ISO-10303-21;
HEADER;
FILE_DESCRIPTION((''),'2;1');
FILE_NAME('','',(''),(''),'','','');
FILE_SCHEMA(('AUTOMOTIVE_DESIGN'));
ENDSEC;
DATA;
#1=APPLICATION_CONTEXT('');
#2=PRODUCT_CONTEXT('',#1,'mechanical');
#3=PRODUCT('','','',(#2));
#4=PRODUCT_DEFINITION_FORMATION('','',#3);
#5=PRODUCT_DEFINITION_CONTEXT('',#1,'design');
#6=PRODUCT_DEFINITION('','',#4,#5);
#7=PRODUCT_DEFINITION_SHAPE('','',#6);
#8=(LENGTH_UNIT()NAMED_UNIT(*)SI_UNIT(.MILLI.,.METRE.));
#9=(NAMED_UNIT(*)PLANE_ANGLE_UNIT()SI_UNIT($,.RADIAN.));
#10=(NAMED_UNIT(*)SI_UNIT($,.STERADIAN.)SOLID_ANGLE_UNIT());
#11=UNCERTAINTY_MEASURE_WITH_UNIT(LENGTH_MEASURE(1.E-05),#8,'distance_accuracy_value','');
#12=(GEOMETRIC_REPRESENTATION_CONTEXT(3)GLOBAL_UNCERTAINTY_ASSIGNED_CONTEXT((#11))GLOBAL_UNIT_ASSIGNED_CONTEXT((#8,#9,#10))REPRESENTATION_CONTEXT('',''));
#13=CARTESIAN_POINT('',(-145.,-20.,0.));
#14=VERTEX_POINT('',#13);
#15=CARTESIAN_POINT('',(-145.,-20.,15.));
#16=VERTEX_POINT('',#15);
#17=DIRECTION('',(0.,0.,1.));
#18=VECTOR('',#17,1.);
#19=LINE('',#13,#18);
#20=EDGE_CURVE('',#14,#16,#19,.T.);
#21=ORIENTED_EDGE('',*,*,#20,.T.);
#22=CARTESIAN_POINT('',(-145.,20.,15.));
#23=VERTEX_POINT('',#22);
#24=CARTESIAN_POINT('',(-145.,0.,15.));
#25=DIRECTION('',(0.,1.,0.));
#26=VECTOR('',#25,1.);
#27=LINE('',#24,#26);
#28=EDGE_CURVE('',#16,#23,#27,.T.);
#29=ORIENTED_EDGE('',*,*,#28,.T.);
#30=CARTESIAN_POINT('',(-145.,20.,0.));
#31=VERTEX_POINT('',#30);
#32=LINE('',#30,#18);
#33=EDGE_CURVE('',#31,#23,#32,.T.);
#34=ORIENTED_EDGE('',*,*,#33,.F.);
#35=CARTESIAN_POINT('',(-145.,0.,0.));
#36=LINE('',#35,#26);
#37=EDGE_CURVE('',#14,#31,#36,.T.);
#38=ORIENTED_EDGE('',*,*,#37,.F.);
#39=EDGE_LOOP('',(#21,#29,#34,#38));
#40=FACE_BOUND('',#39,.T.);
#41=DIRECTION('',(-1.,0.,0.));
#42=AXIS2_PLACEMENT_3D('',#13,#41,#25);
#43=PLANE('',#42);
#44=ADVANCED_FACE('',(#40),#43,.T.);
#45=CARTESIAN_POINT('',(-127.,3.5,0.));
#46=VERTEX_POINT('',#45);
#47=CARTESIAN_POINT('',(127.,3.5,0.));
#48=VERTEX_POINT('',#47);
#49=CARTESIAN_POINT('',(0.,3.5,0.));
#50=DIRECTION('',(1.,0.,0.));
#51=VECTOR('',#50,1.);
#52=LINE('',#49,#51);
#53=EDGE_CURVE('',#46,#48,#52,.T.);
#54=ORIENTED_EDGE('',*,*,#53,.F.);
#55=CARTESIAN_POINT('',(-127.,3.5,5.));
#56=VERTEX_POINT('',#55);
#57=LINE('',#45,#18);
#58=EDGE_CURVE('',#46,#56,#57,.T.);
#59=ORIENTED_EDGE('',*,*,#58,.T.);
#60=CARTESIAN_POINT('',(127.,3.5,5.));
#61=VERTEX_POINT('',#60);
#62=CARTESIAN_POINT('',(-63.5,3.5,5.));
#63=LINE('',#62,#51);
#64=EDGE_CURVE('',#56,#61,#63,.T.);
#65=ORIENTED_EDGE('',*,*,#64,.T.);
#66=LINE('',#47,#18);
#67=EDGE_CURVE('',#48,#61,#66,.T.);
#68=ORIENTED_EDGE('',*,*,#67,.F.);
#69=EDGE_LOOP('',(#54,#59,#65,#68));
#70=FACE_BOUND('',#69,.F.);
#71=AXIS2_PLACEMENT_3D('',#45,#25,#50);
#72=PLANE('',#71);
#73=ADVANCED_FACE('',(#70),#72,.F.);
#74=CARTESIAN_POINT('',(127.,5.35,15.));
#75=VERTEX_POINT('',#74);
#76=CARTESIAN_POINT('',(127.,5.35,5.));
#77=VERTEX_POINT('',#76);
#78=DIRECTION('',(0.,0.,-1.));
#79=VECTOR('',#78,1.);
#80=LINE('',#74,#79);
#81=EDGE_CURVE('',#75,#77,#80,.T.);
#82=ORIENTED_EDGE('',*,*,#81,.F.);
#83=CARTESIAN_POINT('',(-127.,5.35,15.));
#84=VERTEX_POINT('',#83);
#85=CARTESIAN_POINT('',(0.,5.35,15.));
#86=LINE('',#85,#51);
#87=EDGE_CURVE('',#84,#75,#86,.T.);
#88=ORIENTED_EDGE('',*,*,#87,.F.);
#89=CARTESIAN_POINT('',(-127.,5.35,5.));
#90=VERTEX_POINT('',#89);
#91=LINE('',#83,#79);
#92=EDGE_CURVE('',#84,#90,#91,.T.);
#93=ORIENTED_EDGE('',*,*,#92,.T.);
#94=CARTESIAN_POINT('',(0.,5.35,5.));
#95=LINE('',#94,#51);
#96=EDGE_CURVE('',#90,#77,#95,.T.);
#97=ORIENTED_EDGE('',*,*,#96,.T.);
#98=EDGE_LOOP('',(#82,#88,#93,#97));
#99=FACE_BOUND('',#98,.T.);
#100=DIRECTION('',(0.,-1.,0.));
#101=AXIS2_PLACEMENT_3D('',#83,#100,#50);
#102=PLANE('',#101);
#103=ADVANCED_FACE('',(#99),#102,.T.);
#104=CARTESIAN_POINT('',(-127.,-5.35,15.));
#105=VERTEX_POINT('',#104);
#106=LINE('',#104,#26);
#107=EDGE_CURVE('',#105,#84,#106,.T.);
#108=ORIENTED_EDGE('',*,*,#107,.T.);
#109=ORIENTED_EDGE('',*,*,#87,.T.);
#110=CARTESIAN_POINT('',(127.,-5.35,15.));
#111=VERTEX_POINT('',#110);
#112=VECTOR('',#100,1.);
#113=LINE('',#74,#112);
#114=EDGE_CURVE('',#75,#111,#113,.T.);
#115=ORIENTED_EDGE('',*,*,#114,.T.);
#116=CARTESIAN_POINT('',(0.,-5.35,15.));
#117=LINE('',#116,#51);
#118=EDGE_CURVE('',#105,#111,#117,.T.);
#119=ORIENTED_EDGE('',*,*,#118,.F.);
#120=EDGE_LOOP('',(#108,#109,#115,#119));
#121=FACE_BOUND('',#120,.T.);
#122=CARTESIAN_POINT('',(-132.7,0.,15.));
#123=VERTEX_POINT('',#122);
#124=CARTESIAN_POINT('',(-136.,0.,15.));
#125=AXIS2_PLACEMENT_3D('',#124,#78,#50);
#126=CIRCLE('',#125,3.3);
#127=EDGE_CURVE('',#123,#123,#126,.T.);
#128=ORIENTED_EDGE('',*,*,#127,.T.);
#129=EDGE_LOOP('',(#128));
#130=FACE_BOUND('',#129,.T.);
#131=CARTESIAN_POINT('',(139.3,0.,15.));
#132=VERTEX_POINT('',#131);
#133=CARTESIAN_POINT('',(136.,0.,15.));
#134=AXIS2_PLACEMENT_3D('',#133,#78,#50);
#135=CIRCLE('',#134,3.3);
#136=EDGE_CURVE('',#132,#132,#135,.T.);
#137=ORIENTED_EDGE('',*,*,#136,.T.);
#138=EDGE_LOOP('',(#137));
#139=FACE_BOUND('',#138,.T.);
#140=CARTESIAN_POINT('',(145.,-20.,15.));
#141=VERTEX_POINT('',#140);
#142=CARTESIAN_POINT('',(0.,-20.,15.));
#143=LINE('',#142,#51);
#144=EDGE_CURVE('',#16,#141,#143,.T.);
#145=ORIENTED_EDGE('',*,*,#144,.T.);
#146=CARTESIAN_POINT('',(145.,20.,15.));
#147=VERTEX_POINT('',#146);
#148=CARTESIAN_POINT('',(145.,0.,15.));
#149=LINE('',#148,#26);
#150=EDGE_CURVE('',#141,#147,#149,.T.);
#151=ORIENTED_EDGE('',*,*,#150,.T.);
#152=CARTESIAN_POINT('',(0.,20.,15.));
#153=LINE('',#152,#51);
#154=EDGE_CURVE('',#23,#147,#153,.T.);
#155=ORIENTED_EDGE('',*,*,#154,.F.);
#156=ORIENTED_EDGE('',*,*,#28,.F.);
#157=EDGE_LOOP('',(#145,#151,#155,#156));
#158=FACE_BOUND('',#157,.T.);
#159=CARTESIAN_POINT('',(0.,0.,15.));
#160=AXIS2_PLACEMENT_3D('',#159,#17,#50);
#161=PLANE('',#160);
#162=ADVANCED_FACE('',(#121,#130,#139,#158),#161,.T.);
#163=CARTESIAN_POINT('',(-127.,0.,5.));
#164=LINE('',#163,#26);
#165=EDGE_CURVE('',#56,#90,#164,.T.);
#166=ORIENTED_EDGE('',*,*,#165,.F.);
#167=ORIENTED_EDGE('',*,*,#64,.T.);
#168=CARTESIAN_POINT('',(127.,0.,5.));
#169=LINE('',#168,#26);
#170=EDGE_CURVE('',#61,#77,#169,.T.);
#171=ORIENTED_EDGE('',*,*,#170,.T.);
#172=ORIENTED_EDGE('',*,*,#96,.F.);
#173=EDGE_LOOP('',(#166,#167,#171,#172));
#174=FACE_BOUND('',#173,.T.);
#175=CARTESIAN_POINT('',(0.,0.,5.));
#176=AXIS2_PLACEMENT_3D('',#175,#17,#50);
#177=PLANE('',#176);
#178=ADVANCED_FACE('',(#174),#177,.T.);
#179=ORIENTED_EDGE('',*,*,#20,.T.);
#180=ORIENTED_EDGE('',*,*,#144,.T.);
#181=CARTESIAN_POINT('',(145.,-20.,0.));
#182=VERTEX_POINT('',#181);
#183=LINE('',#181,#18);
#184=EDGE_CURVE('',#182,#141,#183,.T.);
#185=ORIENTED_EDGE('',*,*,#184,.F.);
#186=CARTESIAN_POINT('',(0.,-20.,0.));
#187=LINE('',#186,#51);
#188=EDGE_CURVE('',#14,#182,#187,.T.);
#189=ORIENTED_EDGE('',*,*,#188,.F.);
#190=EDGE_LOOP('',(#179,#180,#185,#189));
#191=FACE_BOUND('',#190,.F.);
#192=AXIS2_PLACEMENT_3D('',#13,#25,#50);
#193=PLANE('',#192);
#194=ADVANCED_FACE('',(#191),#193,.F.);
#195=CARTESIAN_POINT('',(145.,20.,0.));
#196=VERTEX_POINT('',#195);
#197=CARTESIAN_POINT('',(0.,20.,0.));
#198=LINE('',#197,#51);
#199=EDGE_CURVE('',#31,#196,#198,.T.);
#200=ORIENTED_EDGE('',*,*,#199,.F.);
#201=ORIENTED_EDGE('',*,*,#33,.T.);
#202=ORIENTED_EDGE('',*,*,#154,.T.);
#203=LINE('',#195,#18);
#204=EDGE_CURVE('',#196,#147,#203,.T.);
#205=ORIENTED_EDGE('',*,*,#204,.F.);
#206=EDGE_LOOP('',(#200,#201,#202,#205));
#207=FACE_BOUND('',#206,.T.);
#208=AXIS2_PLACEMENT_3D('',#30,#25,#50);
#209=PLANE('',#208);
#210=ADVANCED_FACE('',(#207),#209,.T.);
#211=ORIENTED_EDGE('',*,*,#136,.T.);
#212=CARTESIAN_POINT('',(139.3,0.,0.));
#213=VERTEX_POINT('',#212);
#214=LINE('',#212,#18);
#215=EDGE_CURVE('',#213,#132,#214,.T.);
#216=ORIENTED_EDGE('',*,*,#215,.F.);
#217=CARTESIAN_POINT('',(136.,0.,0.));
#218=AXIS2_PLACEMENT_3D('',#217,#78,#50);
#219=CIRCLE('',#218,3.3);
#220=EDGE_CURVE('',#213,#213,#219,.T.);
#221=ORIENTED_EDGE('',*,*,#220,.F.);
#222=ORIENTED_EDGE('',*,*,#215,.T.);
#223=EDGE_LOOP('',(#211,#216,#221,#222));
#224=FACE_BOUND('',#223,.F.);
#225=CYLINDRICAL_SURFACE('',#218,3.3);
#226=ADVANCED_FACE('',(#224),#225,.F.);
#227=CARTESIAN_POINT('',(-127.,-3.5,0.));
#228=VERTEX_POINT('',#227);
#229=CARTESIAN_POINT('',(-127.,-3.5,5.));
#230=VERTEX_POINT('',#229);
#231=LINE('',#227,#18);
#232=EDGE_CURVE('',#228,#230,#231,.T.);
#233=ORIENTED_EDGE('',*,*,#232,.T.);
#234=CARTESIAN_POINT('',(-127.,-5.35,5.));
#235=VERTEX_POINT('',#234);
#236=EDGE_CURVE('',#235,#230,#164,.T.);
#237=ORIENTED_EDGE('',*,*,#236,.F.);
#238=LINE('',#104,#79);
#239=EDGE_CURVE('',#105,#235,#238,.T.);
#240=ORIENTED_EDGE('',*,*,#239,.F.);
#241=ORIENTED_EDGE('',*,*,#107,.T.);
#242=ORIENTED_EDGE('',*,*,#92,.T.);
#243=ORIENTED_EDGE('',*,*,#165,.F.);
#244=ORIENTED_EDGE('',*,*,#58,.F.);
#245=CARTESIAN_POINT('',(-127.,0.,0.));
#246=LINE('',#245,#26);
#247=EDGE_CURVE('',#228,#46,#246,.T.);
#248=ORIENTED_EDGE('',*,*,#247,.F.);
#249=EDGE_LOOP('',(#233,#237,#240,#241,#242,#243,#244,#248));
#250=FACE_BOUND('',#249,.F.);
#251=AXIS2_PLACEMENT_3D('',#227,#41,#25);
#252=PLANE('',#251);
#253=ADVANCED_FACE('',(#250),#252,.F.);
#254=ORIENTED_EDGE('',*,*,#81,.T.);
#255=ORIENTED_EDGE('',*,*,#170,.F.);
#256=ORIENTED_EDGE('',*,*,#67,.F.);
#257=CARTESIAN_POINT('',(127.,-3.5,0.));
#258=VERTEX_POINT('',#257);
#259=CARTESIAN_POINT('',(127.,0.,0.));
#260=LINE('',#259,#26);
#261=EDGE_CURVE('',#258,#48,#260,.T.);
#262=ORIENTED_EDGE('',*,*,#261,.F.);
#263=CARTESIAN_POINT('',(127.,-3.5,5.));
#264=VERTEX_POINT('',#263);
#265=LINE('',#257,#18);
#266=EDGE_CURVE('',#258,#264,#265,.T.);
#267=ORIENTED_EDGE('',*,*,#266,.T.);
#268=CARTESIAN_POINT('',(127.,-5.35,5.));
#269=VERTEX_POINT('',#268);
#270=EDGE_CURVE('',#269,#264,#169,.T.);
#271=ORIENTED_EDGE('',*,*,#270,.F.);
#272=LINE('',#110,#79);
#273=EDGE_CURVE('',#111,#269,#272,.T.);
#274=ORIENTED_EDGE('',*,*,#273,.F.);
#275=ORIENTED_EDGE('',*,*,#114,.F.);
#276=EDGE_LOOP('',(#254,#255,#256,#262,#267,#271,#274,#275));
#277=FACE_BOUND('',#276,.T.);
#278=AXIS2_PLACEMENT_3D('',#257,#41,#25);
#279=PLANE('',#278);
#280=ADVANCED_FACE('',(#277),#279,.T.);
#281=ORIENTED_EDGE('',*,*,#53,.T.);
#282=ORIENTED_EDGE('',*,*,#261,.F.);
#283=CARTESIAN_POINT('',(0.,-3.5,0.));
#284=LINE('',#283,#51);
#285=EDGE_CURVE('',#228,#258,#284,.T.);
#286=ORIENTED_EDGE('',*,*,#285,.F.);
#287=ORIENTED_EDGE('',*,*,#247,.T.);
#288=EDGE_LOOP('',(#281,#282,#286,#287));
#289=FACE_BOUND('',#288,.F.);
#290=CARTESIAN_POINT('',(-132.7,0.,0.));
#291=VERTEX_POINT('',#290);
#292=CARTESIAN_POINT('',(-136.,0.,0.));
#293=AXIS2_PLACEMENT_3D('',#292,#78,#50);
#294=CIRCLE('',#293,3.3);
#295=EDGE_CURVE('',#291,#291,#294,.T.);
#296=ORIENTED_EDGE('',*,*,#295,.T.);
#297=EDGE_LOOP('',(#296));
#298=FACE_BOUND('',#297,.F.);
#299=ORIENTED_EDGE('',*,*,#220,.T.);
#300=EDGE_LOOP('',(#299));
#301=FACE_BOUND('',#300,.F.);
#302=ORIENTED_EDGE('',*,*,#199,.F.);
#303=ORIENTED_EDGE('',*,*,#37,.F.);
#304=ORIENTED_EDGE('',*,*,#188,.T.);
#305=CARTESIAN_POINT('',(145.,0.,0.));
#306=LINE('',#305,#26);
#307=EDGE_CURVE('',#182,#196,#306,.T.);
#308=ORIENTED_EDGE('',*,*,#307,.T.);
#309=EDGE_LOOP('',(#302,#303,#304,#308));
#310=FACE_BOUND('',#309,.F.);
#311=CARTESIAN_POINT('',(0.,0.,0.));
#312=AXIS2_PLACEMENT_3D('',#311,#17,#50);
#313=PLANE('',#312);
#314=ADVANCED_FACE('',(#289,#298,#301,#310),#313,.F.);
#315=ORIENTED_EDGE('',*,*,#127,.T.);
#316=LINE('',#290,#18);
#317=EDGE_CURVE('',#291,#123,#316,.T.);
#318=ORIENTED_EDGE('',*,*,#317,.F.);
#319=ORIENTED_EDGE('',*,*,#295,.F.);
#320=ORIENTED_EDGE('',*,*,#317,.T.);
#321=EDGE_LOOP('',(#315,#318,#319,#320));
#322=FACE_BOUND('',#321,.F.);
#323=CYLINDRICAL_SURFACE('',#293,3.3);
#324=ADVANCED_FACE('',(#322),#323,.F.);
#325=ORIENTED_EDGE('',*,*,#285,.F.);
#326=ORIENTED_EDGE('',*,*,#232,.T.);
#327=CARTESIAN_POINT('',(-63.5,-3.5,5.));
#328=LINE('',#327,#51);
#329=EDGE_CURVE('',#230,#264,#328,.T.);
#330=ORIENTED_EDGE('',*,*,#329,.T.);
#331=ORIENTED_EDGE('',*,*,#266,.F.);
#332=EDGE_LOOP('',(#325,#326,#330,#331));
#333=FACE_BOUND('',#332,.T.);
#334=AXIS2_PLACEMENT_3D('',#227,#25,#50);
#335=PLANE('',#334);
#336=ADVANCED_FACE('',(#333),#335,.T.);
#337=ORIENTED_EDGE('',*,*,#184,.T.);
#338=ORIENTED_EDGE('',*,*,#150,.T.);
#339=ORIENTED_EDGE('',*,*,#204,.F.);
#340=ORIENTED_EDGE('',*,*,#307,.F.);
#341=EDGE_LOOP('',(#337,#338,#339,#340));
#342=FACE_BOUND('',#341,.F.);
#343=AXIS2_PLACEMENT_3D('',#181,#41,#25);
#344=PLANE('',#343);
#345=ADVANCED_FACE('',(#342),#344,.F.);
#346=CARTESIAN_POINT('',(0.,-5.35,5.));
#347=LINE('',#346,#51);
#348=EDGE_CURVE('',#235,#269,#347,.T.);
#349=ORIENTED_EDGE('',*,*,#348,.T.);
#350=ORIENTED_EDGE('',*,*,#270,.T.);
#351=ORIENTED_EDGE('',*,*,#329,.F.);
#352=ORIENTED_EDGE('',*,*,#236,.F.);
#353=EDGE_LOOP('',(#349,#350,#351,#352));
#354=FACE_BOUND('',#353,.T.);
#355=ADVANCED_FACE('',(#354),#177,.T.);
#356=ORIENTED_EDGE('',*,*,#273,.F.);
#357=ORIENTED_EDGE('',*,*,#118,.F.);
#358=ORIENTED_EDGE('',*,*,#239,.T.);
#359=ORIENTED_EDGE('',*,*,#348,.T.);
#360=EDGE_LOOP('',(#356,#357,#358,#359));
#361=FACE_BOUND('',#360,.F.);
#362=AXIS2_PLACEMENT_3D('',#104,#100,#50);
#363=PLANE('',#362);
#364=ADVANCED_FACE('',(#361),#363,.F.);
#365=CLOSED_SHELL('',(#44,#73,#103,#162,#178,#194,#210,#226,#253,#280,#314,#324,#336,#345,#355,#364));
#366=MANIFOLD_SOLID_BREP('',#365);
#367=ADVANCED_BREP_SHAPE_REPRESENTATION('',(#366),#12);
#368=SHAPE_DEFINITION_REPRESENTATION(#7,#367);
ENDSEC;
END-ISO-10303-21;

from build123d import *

# Parameters (mm, degrees)
F0_W     = 290
F0_H     = 40
F0_W_2   = 254
F0_H_2   = 7
F1_DEPTH = 15
F2_W     = 254
F2_H     = 10.7
F3_DEPTH = 10
F4_R     = 3.3
F5_DEPTH = 15


with BuildPart() as f1:
    # F0 (on Top) → F1 (new body)
    with BuildSketch(Plane.XY):
        Rectangle(F0_W, F0_H)
        Rectangle(F0_W_2, F0_H_2, mode=Mode.SUBTRACT)
    extrude(amount=F1_DEPTH)

    # F2 (on face) → F3 (cut)
    with BuildSketch(Plane.XY.offset(15)):
        Rectangle(F2_W, F2_H)
    extrude(amount=-F3_DEPTH, mode=Mode.SUBTRACT)

    # F4 (on face) → F5 (cut, through all)
    with BuildSketch(Plane(origin=(0, 0, 0), x_dir=(1, 0, 0), z_dir=(0, 0, -1))):
        with Locations((-136, 0)):
            Circle(F4_R)
        with Locations((136, 0)):
            Circle(F4_R)
    extrude(amount=-F5_DEPTH, mode=Mode.SUBTRACT)


solid = f1.part
